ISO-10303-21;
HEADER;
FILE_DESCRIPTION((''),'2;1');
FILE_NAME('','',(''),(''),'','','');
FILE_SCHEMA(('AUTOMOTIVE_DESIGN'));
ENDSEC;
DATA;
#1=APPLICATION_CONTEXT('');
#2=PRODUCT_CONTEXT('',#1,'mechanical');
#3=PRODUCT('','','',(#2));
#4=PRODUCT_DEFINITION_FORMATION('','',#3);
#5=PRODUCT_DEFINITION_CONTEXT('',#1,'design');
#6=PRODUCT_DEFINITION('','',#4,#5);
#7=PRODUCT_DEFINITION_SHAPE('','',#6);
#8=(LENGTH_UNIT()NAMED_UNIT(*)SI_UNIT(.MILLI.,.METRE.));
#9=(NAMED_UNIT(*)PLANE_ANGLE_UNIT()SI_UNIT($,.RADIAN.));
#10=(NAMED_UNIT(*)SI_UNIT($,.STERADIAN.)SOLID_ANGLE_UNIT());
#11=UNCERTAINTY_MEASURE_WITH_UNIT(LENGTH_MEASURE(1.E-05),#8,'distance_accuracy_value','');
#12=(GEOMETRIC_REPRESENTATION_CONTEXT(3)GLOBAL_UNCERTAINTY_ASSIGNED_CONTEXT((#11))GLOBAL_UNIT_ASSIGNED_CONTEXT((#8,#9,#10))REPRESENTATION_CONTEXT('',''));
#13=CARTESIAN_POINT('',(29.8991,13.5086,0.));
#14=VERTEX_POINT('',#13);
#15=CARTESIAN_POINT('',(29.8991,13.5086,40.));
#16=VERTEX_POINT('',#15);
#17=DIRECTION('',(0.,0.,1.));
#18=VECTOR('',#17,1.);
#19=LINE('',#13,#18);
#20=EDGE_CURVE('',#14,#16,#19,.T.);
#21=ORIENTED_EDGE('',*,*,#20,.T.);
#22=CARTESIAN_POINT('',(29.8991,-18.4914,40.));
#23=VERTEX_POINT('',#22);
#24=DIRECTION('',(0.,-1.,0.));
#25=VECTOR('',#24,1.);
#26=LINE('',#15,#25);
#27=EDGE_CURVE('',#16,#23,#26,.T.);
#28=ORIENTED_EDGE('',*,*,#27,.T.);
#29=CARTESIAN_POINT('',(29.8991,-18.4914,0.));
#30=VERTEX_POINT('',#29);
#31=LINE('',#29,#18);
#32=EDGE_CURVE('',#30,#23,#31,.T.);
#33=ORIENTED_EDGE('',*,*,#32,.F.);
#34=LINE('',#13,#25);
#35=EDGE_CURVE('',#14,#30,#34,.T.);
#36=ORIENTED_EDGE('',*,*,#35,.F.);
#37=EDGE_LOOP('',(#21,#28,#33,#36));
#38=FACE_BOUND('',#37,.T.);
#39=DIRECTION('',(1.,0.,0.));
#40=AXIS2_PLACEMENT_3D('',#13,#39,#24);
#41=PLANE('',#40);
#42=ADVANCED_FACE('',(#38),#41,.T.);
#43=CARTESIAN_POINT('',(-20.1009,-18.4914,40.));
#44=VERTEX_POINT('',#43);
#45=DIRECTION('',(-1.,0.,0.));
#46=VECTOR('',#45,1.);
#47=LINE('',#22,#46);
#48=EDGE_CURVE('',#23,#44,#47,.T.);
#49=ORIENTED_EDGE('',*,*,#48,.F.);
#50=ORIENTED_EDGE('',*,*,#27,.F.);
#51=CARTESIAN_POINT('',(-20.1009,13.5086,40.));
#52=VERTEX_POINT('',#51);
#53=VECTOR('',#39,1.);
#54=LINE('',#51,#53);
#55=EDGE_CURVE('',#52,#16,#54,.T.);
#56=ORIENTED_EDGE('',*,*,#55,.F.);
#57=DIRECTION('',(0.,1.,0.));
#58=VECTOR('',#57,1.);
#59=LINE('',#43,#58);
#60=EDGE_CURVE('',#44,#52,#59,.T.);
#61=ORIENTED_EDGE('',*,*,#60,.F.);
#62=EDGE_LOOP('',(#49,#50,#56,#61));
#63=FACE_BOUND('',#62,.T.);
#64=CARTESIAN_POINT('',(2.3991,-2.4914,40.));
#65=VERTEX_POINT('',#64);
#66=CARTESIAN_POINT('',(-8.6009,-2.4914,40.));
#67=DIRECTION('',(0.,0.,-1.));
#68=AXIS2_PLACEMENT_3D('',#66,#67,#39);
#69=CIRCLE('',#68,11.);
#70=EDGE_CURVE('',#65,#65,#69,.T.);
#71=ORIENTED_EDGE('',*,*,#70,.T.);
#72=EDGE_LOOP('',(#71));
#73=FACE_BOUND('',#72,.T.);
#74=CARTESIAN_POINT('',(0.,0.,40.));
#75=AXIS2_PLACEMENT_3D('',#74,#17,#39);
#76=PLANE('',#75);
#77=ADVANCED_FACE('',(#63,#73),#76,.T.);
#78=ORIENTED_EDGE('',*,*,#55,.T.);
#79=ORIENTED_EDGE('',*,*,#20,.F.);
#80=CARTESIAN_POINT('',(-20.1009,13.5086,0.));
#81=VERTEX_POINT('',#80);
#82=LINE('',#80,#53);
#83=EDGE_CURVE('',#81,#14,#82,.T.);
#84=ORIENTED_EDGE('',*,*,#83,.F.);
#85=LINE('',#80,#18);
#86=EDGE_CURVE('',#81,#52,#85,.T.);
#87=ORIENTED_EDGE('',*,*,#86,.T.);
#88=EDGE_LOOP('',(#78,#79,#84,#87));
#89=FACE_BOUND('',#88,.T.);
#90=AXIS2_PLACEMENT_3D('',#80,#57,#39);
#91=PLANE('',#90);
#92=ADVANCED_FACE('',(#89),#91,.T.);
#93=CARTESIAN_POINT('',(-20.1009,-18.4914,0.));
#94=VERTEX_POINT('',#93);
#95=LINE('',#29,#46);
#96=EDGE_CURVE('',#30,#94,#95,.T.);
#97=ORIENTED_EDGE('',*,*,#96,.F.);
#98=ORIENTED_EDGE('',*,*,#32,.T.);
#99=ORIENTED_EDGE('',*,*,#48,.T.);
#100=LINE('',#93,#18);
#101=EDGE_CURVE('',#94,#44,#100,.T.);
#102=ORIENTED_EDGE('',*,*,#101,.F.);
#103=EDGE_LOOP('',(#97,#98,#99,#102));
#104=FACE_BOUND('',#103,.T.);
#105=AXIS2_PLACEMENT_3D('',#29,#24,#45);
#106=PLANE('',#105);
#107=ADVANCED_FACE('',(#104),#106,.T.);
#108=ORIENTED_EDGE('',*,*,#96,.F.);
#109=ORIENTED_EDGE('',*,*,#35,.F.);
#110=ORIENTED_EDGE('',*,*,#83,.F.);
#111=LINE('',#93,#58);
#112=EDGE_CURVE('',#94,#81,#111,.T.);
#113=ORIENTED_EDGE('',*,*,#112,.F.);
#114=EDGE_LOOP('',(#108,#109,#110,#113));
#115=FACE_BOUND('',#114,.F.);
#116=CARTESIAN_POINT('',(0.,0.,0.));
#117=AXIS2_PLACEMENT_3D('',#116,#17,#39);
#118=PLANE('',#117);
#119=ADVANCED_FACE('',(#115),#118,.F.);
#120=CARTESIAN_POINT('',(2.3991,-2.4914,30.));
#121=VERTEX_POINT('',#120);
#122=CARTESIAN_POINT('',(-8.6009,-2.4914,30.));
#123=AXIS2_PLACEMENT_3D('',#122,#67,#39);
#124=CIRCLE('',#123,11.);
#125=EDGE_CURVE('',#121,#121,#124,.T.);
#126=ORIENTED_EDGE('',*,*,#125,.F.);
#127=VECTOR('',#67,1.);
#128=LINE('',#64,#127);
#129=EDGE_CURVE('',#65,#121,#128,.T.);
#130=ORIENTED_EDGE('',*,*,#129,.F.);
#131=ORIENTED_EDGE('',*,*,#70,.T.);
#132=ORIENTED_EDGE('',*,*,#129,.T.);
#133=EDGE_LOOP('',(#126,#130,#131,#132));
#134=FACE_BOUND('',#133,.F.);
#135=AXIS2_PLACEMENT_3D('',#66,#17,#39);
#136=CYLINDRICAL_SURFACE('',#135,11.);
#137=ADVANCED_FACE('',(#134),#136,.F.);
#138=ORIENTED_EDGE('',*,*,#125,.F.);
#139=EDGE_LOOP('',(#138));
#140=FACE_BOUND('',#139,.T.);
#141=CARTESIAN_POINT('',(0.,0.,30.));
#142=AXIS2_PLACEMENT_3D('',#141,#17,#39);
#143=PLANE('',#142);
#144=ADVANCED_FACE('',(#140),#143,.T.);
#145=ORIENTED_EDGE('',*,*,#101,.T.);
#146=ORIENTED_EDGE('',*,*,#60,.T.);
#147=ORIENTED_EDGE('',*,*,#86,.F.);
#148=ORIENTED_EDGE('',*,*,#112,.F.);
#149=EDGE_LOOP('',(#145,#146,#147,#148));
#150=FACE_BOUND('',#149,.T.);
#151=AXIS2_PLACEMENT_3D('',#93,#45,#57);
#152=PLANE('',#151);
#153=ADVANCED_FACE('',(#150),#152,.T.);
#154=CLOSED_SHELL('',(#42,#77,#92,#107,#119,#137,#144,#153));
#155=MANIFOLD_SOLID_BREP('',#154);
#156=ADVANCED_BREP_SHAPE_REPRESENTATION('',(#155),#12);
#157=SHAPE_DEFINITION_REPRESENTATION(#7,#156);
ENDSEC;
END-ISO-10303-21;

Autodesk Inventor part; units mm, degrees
ref_plane "YZ Plane" through (0, 0, 0) normal (1, 0, 0) x (0, 1, 0)
ref_plane "XZ Plane" through (0, 0, 0) normal (0, 1, 0) x (-1, 0, 0)
ref_plane "XY Plane" through (0, 0, 0) normal (0, 0, 1) x (1, 0, 0)
sketch "Sketch1" plane through (0, 0, 0) normal (0, 0, 1) x (1, 0, 0)
  line L0 (-20.1009, 13.5086) -> (29.8991, 13.5086)
  line L1 (29.8991, 13.5086) -> (29.8991, -18.4914)
  line L2 (29.8991, -18.4914) -> (-20.1009, -18.4914)
  line L3 (-20.1009, -18.4914) -> (-20.1009, 13.5086)
  point P0 (0, 0)
  dimension "d0" = 50
  dimension "d1" = 32
extrude "Extrusion1" add sketch "Sketch1" along normal blind 40
sketch "Sketch2" plane through (0, 0, 40) normal (0, 0, 1) x (1, 0, 0)
  line L0 (-20.1009, -18.4914) -> (-20.1009, 13.5086) projected
  line L1 (29.8991, -18.4914) -> (-20.1009, -18.4914) projected
  line L2 (-20.1009, -2.4914) -> (-8.6009, -2.4914)
  circle A0 centre (-8.6009, -2.4914) radius 8
  point P0 (0, 0)
  dimension "d4" = 11.5
  dimension "d5" = 16
extrude "Extrusion2" cut sketch "Sketch2" against normal blind 10
sketch "Sketch3" plane through (0, 0, 40) normal (0, 0, 1) x (1, 0, 0)
  circle A0 centre (-8.6009, -2.4914) radius 8 projected
  point P0 (0, 0)
extrude "Extrusion3" add sketch "Sketch3" against normal blind 10
sketch "Sketch4" plane through (0, 0, 40) normal (0, 0, 1) x (1, 0, 0)
  line L0 (-20.1009, -18.4914) -> (-20.1009, 13.5086) projected
  line L1 (29.8991, -18.4914) -> (-20.1009, -18.4914) projected
  line L2 (-20.1009, -2.4914) -> (-8.6009, -2.4914)
  circle A0 centre (-8.6009, -2.4914) radius 11
  point P0 (0, 0)
  dimension "d10" = 11.5
  dimension "d11" = 22
extrude "Extrusion4" cut sketch "Sketch4" against normal blind 10
properties part number "basic1"
